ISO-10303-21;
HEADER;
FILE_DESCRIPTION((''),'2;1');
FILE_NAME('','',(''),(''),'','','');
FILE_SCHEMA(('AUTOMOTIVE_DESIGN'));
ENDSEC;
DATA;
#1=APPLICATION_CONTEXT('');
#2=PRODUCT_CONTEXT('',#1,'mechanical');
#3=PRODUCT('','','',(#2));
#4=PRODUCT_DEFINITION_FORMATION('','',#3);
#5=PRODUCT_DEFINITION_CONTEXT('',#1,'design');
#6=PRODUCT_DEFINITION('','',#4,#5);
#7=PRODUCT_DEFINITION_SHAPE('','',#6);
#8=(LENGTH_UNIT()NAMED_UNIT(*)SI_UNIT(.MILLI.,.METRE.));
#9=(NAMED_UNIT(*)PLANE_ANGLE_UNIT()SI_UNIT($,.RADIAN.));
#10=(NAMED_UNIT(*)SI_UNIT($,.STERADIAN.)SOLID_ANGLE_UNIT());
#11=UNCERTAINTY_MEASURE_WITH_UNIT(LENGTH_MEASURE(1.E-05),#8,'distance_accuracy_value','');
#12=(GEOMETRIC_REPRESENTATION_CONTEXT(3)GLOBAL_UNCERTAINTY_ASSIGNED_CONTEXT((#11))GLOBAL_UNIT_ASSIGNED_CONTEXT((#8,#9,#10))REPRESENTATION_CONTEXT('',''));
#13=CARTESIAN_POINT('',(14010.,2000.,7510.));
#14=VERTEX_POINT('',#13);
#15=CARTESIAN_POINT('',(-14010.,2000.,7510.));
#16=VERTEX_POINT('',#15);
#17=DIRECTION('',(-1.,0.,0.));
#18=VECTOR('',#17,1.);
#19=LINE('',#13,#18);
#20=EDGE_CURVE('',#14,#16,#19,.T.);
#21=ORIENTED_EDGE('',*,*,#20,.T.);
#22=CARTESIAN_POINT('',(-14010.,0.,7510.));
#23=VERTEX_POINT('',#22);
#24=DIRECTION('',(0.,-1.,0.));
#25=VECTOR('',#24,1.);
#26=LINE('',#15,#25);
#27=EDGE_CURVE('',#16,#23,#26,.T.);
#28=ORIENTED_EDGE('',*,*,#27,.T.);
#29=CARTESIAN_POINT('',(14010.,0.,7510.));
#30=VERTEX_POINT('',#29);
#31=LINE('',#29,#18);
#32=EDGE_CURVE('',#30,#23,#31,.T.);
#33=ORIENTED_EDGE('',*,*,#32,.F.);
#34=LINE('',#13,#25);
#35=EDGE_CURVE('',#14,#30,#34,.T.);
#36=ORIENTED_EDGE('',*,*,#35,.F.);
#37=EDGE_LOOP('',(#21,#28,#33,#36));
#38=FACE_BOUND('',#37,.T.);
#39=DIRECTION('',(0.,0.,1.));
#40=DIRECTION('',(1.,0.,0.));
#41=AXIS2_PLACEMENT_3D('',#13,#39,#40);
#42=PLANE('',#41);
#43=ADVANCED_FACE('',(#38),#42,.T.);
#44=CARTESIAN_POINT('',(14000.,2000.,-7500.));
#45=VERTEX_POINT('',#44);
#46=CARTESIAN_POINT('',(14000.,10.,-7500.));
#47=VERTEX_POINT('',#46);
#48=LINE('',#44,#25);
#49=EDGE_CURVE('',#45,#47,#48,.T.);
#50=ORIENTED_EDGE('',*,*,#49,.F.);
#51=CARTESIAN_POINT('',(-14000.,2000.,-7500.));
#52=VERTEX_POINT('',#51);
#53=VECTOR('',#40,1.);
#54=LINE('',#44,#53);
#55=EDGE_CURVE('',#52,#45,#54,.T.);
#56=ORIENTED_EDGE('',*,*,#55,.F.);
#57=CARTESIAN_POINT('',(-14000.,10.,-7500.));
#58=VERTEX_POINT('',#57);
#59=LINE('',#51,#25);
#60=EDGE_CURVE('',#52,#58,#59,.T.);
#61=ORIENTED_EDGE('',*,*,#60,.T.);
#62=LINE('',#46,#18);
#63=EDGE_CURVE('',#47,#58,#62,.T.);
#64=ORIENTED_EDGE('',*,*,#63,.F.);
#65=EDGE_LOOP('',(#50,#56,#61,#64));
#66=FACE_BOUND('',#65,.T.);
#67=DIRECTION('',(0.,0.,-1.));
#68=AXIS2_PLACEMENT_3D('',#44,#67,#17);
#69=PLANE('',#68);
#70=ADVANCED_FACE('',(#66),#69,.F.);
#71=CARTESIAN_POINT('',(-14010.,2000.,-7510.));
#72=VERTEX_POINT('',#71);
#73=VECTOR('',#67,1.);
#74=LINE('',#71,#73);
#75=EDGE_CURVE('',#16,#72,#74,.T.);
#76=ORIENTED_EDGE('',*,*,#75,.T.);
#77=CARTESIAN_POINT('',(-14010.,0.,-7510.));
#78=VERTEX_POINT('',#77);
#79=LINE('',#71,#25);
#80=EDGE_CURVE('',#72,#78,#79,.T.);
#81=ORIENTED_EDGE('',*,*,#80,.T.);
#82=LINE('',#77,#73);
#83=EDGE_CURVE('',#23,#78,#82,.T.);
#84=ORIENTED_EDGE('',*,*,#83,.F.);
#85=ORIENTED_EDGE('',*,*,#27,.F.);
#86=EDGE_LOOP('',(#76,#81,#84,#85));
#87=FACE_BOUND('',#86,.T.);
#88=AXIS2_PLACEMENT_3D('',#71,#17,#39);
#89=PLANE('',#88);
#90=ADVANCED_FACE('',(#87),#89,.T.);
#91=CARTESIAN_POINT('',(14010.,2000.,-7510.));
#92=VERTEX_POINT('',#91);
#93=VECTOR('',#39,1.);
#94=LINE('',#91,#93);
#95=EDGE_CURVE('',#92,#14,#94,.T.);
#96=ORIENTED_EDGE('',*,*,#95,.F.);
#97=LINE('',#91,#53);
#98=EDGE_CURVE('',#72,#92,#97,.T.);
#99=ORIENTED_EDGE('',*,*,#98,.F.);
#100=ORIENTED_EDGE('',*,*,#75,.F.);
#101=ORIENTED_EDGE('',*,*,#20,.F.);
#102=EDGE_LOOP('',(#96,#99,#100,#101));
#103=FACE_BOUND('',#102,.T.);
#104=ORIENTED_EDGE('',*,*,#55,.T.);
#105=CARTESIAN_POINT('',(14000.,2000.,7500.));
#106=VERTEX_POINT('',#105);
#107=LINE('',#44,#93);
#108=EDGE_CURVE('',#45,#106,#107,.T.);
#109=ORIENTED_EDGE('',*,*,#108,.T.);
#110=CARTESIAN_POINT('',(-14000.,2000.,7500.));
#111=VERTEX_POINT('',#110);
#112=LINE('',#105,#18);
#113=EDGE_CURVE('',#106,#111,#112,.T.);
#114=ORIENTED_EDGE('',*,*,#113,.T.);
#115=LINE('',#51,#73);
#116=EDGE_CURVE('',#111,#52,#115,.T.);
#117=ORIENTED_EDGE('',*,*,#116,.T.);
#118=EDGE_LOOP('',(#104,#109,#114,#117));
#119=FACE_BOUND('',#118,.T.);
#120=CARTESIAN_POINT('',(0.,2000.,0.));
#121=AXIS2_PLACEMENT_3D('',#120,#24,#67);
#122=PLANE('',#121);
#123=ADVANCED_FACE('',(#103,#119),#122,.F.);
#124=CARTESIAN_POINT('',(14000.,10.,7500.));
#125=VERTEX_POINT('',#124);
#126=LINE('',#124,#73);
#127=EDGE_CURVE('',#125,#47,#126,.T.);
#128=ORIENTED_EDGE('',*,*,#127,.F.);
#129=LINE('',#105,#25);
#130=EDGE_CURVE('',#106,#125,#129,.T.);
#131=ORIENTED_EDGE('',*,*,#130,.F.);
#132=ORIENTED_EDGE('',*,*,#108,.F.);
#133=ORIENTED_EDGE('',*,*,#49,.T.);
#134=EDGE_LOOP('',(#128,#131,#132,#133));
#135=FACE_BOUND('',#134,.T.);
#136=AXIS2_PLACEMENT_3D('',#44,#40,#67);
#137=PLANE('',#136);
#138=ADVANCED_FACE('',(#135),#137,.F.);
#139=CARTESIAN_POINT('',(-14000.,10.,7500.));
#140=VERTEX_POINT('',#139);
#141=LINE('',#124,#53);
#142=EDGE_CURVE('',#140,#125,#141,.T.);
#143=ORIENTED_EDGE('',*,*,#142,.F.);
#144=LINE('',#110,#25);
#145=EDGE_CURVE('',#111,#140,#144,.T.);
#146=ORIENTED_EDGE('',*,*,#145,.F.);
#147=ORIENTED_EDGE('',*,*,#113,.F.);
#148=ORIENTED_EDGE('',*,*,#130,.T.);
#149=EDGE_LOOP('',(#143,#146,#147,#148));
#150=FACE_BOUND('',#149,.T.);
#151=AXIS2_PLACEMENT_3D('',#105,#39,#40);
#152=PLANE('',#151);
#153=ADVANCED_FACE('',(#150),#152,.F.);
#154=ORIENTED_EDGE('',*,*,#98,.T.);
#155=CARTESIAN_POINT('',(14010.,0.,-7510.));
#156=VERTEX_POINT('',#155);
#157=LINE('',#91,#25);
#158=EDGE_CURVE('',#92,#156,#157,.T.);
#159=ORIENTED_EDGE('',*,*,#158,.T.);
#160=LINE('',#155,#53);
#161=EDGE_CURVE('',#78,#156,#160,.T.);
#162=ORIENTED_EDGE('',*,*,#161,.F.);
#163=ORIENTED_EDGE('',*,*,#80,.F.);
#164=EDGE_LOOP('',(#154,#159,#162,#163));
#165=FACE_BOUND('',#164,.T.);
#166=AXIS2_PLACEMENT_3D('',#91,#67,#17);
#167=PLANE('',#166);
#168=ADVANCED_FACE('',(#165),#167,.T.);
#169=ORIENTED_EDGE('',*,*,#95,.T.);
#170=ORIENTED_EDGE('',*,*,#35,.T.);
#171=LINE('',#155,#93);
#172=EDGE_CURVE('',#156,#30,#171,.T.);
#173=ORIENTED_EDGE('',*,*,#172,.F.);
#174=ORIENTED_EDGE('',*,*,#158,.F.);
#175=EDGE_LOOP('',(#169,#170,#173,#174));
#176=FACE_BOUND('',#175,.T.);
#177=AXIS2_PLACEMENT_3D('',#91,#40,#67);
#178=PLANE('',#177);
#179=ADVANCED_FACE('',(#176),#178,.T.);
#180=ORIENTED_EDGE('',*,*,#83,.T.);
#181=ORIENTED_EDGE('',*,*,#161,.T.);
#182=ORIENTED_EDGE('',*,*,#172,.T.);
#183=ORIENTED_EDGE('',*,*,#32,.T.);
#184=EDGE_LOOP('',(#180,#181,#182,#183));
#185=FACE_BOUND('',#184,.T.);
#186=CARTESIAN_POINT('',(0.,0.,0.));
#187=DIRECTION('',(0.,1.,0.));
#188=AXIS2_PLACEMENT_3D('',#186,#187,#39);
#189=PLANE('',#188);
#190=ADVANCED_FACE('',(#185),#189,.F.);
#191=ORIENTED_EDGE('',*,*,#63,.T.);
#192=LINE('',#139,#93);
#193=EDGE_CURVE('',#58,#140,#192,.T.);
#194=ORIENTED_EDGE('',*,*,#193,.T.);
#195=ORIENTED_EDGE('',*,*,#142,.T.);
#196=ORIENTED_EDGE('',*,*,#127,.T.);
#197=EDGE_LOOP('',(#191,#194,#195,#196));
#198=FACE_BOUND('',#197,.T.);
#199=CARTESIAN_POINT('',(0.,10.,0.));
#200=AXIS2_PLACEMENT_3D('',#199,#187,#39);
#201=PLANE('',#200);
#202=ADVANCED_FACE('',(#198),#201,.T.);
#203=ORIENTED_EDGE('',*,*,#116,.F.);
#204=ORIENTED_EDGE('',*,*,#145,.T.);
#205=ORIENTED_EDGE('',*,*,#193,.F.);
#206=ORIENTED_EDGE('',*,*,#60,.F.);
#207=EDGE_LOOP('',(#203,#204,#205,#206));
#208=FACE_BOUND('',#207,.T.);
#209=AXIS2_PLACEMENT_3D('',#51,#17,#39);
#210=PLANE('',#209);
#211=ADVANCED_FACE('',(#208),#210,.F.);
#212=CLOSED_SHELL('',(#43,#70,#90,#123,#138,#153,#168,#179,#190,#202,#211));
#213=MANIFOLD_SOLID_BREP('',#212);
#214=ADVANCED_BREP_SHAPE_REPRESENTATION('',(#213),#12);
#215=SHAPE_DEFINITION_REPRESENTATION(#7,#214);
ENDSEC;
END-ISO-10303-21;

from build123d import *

# Parameters (mm, degrees)
SKETCH_1_W      = 28000
SKETCH_1_H      = 15000
EXTRUDE_1_DEPTH = 10
SKETCH_3_W      = 28020
SKETCH_3_H      = 15020
SKETCH_3_W_2    = 28000
SKETCH_3_H_2    = 15000
EXTRUDE_2_DEPTH = 2000


with BuildPart() as part:
    # 草图1 → 凸台-拉伸1 (new body)
    with BuildSketch(Plane(origin=(0, 0, 0), x_dir=(1, 0, 0), z_dir=(0, 1, 0))):
        Rectangle(SKETCH_1_W, SKETCH_1_H)
    extrude(amount=EXTRUDE_1_DEPTH)

    # 草图3 → 凸台-拉伸2 (add)
    with BuildSketch(Plane.XZ):
        Rectangle(SKETCH_3_W, SKETCH_3_H)
        Rectangle(SKETCH_3_W_2, SKETCH_3_H_2, mode=Mode.SUBTRACT)
    extrude(amount=-EXTRUDE_2_DEPTH)


solid = part.part
